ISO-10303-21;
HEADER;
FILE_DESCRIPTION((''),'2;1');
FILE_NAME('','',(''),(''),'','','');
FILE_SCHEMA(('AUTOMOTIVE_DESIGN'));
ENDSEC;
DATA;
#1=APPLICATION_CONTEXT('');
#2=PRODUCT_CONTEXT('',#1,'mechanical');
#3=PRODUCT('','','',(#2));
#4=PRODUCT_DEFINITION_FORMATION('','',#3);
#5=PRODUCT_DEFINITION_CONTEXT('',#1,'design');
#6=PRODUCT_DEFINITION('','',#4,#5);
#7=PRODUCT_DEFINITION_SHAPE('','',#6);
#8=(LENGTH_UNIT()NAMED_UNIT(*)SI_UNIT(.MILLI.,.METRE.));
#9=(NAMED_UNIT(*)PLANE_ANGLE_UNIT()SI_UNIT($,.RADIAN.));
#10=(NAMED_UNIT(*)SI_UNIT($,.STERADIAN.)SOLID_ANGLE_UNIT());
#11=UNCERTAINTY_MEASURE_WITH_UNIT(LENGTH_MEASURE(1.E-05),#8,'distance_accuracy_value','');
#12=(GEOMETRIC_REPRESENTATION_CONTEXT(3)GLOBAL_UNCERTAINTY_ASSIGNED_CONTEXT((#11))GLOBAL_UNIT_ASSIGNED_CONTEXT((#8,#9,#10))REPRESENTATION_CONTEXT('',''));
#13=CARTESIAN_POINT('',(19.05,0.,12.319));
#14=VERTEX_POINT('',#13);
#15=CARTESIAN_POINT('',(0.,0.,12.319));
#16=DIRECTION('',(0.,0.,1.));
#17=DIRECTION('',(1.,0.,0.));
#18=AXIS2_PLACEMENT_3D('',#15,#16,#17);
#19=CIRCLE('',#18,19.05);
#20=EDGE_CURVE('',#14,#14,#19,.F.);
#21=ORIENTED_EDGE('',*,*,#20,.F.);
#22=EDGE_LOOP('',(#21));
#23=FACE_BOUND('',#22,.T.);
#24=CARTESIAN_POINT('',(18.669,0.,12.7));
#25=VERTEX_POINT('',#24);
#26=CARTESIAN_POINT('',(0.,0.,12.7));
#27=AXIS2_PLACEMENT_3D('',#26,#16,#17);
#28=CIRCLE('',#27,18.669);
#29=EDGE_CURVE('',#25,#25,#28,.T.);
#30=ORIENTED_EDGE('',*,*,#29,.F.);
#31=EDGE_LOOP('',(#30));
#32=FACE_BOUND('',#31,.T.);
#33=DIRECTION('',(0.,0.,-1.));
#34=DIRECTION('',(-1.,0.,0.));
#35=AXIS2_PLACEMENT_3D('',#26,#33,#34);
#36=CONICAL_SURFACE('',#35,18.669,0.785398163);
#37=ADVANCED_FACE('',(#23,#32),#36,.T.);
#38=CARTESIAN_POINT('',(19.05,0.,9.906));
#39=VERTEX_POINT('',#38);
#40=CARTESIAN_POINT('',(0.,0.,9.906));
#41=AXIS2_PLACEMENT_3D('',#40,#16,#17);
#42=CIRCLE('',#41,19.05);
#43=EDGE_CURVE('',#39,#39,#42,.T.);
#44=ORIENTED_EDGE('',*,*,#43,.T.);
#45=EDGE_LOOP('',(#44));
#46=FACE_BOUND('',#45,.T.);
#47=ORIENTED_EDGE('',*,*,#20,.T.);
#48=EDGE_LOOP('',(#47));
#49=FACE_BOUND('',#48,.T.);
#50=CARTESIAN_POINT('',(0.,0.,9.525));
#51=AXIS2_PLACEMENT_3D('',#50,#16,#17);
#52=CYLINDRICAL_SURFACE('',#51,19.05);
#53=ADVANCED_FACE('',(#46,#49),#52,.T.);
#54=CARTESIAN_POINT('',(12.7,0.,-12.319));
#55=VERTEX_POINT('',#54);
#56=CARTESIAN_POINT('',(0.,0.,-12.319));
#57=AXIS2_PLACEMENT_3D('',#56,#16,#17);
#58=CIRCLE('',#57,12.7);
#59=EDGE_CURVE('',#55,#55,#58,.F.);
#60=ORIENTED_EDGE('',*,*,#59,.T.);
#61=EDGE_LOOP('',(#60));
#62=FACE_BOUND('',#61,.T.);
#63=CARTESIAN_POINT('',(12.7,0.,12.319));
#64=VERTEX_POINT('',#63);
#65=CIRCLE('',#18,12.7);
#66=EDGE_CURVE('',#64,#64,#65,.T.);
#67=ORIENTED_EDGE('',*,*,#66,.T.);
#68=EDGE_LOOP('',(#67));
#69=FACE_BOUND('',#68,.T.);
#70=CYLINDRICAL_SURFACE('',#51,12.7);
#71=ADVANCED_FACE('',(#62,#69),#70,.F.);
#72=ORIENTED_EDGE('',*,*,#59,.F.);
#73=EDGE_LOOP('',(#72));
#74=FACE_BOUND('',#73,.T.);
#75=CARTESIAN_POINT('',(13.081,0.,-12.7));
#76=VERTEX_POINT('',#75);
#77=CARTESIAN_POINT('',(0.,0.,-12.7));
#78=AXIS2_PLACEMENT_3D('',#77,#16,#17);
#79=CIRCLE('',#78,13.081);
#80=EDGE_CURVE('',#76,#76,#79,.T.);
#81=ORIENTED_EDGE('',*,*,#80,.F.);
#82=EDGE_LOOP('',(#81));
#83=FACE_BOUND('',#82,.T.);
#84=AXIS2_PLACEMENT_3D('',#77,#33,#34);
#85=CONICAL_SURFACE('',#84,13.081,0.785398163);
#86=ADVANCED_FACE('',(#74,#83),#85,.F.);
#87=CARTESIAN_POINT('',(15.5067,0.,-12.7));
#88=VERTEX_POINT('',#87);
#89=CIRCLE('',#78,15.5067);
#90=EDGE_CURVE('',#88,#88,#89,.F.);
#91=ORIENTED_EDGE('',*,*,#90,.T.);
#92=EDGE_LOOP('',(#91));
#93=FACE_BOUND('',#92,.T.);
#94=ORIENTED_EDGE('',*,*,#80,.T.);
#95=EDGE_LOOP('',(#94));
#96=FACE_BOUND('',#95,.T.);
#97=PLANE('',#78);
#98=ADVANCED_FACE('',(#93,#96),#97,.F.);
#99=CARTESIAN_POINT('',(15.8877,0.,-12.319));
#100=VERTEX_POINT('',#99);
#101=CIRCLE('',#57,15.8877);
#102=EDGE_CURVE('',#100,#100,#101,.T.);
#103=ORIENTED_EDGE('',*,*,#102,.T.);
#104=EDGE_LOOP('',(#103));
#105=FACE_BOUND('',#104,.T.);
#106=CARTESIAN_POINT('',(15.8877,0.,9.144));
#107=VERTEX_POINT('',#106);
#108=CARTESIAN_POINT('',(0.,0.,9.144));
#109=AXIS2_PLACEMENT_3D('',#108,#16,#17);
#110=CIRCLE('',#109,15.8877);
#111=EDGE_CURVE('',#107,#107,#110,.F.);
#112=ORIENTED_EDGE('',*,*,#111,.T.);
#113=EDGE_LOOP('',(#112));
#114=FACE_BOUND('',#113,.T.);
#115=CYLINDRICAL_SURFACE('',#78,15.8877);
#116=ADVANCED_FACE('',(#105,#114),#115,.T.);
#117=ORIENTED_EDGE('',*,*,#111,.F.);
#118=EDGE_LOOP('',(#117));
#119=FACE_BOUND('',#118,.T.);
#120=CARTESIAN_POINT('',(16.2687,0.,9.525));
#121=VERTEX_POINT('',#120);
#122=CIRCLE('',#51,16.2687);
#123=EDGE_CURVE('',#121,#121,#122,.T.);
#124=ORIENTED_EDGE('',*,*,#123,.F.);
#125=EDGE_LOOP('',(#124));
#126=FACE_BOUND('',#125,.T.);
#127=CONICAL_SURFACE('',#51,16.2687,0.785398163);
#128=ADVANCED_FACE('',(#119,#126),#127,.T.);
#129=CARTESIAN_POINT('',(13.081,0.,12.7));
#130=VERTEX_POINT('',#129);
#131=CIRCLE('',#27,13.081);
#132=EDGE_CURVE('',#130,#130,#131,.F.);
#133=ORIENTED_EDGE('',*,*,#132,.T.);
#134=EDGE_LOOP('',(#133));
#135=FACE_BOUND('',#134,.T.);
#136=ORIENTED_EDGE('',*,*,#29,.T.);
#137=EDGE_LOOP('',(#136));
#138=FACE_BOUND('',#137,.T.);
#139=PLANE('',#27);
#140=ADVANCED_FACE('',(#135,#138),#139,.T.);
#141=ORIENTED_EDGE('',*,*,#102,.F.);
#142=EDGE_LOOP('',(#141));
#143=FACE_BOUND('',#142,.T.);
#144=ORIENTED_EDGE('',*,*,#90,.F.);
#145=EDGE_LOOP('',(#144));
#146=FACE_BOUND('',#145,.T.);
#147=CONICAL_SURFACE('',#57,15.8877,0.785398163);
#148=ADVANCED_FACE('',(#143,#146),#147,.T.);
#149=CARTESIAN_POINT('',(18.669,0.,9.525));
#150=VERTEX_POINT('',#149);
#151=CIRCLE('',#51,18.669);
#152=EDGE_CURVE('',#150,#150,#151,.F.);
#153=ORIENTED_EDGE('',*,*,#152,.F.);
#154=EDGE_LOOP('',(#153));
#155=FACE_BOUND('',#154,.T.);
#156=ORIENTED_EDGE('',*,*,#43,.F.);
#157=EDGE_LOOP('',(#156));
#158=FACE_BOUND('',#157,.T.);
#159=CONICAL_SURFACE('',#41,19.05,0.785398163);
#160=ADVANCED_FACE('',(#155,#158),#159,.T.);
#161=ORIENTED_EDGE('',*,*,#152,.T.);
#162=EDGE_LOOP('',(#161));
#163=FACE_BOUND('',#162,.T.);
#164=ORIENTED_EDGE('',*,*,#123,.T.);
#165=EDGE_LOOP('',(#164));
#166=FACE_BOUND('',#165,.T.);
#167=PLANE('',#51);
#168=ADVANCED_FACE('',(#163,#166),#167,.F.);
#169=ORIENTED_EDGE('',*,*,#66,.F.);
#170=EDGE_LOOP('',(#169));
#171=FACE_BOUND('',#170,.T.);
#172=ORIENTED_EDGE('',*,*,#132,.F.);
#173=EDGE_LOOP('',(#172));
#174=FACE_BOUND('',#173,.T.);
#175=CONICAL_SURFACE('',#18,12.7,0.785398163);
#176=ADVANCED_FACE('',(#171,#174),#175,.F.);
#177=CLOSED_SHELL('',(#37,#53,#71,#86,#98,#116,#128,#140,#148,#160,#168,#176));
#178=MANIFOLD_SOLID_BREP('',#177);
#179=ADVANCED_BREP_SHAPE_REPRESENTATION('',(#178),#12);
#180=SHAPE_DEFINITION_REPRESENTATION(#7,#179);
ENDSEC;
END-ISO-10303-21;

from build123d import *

# Parameters (mm, degrees)
BOSS_EXTRUDE1_START = 12.7
SKETCH3_R           = 19.05
SKETCH3_R_2         = 12.7
BOSS_EXTRUDE1_DEPTH = 3.175
BOSS_EXTRUDE2_START = 9.525
SKETCH4_R           = 15.8877
SKETCH4_R_2         = 12.7
BOSS_EXTRUDE2_DEPTH = 22.225
CHAMFER1_SIZE       = 0.381


with BuildPart() as part:
    # Sketch3 → Boss-Extrude1 (new body)
    with BuildSketch(Plane.XY.offset(BOSS_EXTRUDE1_START)):
        Circle(SKETCH3_R)
        Circle(SKETCH3_R_2, mode=Mode.SUBTRACT)
    extrude(amount=-BOSS_EXTRUDE1_DEPTH)

    # Sketch4 → Boss-Extrude2 (add)
    with BuildSketch(Plane.XY.offset(BOSS_EXTRUDE2_START)):
        Circle(SKETCH4_R)
        Circle(SKETCH4_R_2, mode=Mode.SUBTRACT)
    extrude(amount=-BOSS_EXTRUDE2_DEPTH)

    # Chamfer1
    chamfer1_edges = [part.edges().sort_by_distance(p)[0] for p in [
        (-12.7, 0, -12.7),
        (-15.8877, 0, 9.525),
        (-19.05, 0, 12.7),
        (-19.05, 0, 9.525),
        (-12.7, 0, 12.7),
        (-15.8877, 0, -12.7),
    ]]
    chamfer(chamfer1_edges, length=CHAMFER1_SIZE)


solid = part.part
